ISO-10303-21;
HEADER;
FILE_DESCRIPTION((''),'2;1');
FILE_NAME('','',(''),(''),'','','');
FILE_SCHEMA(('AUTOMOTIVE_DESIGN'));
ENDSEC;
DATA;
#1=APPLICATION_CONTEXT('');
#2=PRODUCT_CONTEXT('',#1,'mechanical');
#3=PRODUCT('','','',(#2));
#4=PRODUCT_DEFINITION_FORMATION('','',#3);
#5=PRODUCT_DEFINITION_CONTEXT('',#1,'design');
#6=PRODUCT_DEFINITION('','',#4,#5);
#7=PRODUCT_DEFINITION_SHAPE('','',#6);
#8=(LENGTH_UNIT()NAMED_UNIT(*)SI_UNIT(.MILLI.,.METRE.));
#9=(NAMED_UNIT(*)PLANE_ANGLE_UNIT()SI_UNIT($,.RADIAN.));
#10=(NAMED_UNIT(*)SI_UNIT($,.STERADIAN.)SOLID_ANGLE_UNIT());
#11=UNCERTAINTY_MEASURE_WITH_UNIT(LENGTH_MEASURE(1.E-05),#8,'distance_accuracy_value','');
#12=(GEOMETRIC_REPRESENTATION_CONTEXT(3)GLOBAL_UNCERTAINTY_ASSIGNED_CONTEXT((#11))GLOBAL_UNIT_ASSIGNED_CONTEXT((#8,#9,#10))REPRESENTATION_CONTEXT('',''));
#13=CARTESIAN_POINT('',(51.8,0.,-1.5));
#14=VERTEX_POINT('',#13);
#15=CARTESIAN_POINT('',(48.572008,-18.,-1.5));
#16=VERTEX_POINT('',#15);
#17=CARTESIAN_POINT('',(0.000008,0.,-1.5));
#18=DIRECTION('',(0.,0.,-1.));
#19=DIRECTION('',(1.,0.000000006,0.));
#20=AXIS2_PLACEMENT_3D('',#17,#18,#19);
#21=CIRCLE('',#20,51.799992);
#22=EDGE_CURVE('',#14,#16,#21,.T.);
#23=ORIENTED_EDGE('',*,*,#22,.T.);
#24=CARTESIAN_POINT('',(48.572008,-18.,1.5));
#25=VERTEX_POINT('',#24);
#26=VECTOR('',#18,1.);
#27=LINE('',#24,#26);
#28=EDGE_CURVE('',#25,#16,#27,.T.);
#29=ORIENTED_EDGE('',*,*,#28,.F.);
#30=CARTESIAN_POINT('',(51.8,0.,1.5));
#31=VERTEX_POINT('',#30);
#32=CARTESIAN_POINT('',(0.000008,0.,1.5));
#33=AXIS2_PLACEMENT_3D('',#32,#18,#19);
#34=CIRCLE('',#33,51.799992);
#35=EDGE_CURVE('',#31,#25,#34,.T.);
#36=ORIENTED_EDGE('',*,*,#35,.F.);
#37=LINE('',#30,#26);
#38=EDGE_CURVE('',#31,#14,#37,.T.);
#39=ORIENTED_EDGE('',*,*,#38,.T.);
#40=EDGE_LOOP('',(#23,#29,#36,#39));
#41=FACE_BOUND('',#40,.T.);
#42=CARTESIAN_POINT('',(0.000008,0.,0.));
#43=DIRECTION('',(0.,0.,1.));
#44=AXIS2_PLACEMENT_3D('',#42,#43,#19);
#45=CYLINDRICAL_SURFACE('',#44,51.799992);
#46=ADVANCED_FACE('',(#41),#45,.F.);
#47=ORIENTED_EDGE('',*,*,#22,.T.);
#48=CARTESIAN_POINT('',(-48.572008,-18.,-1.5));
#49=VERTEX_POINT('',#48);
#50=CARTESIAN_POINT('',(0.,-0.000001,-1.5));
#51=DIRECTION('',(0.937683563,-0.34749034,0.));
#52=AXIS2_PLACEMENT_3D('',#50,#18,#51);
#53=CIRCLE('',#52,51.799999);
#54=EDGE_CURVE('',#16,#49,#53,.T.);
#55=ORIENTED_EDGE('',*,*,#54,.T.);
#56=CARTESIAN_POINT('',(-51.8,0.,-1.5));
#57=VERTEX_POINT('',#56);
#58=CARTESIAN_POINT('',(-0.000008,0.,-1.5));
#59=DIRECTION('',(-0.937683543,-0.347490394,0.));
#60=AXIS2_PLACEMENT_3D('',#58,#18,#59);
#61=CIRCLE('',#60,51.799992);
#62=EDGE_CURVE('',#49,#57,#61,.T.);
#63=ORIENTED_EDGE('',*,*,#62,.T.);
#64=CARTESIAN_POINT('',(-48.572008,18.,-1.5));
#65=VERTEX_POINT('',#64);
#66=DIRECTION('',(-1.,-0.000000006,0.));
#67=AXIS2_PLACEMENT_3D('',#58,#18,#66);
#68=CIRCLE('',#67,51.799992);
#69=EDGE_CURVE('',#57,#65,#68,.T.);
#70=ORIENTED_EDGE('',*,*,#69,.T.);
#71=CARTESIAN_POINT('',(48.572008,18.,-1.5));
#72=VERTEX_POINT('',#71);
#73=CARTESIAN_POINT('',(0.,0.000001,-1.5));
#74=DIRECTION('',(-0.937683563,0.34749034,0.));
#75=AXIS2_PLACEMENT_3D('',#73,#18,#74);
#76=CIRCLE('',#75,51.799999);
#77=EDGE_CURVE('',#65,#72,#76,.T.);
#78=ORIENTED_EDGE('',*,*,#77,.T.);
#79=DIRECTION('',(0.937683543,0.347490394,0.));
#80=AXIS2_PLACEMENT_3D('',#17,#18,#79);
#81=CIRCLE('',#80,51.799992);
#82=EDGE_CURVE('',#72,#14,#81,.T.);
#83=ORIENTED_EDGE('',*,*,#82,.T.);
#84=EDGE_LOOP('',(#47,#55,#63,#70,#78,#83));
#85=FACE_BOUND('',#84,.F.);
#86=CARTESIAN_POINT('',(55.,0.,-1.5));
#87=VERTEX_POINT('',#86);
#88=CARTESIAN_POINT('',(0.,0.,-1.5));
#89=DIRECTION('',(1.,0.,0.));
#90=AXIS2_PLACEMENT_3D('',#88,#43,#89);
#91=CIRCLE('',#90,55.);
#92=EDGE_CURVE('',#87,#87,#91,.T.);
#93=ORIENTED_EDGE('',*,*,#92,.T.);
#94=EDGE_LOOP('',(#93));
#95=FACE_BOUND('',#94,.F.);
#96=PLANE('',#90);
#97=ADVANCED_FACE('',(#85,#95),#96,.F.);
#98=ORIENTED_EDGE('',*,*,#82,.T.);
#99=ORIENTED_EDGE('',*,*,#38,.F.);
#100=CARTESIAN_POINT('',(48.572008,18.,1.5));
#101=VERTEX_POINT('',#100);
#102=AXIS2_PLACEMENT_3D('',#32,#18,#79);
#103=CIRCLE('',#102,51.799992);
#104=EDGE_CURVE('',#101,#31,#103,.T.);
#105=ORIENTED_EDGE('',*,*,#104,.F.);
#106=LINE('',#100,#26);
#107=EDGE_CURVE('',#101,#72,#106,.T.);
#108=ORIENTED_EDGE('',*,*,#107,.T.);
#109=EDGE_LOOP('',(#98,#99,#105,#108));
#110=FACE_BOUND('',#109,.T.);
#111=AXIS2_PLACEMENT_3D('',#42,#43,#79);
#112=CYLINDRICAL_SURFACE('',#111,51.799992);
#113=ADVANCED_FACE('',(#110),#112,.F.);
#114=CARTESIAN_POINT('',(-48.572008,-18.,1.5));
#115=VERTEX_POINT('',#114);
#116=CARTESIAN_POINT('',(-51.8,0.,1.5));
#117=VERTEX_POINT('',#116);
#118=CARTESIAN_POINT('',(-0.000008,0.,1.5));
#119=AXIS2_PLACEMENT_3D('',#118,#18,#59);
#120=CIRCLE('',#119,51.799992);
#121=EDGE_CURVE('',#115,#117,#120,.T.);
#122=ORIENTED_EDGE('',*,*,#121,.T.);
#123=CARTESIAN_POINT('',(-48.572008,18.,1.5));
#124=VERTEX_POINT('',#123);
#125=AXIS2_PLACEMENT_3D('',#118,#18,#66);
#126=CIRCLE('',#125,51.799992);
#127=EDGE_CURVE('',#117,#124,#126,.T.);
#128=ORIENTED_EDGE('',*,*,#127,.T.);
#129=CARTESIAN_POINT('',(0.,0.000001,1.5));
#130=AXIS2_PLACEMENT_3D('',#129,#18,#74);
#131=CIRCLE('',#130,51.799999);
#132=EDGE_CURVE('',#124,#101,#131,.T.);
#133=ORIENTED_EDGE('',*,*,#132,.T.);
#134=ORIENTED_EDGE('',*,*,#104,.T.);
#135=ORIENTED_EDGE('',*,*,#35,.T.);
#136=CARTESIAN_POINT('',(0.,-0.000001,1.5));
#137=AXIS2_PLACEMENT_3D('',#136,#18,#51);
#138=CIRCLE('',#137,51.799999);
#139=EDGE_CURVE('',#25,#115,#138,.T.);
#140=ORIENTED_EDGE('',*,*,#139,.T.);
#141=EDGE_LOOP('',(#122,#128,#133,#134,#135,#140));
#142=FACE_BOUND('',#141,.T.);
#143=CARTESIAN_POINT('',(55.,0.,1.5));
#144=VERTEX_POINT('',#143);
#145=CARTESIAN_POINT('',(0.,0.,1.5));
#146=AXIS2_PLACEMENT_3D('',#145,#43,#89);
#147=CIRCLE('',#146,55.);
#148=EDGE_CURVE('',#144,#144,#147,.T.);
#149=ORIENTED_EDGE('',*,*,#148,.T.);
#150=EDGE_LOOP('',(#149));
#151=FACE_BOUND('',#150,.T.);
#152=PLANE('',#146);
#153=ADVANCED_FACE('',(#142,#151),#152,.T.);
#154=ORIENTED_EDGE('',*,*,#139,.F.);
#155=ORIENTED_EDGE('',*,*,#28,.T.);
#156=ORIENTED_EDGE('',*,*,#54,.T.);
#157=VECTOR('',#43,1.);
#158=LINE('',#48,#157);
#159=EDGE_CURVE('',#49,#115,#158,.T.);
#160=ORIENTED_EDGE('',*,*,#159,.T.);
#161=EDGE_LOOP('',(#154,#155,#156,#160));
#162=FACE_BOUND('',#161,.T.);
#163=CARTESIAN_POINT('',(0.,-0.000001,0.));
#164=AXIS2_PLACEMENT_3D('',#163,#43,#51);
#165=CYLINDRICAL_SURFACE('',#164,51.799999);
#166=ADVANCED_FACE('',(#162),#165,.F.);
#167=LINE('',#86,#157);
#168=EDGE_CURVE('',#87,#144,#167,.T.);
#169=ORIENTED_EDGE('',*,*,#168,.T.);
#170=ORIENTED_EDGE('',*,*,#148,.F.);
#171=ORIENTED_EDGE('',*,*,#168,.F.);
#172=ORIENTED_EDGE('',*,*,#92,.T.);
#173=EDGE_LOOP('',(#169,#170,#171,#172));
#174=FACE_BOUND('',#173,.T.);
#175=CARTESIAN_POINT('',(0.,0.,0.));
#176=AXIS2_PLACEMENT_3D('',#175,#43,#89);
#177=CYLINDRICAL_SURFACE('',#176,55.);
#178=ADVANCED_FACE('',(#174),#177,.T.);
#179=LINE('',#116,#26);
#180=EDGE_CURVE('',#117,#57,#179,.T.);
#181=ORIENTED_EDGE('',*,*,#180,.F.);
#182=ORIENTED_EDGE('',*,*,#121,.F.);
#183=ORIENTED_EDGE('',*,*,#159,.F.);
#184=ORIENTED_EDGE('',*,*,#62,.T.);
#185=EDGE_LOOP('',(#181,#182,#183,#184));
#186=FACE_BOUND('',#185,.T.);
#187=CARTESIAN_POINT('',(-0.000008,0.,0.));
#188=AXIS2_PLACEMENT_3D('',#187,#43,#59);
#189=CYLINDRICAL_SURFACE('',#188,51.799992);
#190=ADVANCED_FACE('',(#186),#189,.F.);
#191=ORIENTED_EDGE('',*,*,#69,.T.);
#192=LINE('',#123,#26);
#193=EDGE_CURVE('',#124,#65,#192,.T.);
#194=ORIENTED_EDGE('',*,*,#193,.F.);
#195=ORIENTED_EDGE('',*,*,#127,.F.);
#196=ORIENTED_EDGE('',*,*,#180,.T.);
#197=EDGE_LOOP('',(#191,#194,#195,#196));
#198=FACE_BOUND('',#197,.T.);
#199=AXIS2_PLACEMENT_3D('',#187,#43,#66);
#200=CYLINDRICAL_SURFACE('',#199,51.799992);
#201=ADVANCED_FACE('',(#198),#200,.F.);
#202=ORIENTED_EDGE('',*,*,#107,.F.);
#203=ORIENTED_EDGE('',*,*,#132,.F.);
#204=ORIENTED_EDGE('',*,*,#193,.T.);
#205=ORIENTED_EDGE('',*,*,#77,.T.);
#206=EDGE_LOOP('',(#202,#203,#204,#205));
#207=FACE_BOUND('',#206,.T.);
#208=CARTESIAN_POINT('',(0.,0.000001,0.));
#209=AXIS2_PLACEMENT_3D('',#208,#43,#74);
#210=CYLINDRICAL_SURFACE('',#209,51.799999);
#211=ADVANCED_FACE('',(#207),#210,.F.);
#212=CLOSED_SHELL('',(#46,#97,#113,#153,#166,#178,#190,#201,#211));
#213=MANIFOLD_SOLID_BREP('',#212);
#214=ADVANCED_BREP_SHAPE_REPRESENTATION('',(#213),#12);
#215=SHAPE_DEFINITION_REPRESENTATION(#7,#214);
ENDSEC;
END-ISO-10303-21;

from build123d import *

# Parameters (mm, degrees)
F0_R     = 55
F1_DEPTH = 1.5


with BuildPart() as f1:
    # F0 (on Top) → F1 (new body, symmetric)
    with BuildSketch(Plane.XY):
        Circle(F0_R)
        with BuildLine():
            ThreePointArc((-48.572008, -18), (-50.986616, -9.143576), (-51.8, 0))
            ThreePointArc((-51.8, 0), (-50.986616, 9.143576), (-48.572008, 18))
            ThreePointArc((-48.572008, 18), (0, 51.8), (48.572008, 18))
            ThreePointArc((48.572008, 18), (50.986616, 9.143576), (51.8, 0))
            ThreePointArc((51.8, 0), (50.986616, -9.143576), (48.572008, -18))
            ThreePointArc((48.572008, -18), (0, -51.8), (-48.572008, -18))
        make_face(mode=Mode.SUBTRACT)
    extrude(amount=F1_DEPTH, both=True)


solid = f1.part
